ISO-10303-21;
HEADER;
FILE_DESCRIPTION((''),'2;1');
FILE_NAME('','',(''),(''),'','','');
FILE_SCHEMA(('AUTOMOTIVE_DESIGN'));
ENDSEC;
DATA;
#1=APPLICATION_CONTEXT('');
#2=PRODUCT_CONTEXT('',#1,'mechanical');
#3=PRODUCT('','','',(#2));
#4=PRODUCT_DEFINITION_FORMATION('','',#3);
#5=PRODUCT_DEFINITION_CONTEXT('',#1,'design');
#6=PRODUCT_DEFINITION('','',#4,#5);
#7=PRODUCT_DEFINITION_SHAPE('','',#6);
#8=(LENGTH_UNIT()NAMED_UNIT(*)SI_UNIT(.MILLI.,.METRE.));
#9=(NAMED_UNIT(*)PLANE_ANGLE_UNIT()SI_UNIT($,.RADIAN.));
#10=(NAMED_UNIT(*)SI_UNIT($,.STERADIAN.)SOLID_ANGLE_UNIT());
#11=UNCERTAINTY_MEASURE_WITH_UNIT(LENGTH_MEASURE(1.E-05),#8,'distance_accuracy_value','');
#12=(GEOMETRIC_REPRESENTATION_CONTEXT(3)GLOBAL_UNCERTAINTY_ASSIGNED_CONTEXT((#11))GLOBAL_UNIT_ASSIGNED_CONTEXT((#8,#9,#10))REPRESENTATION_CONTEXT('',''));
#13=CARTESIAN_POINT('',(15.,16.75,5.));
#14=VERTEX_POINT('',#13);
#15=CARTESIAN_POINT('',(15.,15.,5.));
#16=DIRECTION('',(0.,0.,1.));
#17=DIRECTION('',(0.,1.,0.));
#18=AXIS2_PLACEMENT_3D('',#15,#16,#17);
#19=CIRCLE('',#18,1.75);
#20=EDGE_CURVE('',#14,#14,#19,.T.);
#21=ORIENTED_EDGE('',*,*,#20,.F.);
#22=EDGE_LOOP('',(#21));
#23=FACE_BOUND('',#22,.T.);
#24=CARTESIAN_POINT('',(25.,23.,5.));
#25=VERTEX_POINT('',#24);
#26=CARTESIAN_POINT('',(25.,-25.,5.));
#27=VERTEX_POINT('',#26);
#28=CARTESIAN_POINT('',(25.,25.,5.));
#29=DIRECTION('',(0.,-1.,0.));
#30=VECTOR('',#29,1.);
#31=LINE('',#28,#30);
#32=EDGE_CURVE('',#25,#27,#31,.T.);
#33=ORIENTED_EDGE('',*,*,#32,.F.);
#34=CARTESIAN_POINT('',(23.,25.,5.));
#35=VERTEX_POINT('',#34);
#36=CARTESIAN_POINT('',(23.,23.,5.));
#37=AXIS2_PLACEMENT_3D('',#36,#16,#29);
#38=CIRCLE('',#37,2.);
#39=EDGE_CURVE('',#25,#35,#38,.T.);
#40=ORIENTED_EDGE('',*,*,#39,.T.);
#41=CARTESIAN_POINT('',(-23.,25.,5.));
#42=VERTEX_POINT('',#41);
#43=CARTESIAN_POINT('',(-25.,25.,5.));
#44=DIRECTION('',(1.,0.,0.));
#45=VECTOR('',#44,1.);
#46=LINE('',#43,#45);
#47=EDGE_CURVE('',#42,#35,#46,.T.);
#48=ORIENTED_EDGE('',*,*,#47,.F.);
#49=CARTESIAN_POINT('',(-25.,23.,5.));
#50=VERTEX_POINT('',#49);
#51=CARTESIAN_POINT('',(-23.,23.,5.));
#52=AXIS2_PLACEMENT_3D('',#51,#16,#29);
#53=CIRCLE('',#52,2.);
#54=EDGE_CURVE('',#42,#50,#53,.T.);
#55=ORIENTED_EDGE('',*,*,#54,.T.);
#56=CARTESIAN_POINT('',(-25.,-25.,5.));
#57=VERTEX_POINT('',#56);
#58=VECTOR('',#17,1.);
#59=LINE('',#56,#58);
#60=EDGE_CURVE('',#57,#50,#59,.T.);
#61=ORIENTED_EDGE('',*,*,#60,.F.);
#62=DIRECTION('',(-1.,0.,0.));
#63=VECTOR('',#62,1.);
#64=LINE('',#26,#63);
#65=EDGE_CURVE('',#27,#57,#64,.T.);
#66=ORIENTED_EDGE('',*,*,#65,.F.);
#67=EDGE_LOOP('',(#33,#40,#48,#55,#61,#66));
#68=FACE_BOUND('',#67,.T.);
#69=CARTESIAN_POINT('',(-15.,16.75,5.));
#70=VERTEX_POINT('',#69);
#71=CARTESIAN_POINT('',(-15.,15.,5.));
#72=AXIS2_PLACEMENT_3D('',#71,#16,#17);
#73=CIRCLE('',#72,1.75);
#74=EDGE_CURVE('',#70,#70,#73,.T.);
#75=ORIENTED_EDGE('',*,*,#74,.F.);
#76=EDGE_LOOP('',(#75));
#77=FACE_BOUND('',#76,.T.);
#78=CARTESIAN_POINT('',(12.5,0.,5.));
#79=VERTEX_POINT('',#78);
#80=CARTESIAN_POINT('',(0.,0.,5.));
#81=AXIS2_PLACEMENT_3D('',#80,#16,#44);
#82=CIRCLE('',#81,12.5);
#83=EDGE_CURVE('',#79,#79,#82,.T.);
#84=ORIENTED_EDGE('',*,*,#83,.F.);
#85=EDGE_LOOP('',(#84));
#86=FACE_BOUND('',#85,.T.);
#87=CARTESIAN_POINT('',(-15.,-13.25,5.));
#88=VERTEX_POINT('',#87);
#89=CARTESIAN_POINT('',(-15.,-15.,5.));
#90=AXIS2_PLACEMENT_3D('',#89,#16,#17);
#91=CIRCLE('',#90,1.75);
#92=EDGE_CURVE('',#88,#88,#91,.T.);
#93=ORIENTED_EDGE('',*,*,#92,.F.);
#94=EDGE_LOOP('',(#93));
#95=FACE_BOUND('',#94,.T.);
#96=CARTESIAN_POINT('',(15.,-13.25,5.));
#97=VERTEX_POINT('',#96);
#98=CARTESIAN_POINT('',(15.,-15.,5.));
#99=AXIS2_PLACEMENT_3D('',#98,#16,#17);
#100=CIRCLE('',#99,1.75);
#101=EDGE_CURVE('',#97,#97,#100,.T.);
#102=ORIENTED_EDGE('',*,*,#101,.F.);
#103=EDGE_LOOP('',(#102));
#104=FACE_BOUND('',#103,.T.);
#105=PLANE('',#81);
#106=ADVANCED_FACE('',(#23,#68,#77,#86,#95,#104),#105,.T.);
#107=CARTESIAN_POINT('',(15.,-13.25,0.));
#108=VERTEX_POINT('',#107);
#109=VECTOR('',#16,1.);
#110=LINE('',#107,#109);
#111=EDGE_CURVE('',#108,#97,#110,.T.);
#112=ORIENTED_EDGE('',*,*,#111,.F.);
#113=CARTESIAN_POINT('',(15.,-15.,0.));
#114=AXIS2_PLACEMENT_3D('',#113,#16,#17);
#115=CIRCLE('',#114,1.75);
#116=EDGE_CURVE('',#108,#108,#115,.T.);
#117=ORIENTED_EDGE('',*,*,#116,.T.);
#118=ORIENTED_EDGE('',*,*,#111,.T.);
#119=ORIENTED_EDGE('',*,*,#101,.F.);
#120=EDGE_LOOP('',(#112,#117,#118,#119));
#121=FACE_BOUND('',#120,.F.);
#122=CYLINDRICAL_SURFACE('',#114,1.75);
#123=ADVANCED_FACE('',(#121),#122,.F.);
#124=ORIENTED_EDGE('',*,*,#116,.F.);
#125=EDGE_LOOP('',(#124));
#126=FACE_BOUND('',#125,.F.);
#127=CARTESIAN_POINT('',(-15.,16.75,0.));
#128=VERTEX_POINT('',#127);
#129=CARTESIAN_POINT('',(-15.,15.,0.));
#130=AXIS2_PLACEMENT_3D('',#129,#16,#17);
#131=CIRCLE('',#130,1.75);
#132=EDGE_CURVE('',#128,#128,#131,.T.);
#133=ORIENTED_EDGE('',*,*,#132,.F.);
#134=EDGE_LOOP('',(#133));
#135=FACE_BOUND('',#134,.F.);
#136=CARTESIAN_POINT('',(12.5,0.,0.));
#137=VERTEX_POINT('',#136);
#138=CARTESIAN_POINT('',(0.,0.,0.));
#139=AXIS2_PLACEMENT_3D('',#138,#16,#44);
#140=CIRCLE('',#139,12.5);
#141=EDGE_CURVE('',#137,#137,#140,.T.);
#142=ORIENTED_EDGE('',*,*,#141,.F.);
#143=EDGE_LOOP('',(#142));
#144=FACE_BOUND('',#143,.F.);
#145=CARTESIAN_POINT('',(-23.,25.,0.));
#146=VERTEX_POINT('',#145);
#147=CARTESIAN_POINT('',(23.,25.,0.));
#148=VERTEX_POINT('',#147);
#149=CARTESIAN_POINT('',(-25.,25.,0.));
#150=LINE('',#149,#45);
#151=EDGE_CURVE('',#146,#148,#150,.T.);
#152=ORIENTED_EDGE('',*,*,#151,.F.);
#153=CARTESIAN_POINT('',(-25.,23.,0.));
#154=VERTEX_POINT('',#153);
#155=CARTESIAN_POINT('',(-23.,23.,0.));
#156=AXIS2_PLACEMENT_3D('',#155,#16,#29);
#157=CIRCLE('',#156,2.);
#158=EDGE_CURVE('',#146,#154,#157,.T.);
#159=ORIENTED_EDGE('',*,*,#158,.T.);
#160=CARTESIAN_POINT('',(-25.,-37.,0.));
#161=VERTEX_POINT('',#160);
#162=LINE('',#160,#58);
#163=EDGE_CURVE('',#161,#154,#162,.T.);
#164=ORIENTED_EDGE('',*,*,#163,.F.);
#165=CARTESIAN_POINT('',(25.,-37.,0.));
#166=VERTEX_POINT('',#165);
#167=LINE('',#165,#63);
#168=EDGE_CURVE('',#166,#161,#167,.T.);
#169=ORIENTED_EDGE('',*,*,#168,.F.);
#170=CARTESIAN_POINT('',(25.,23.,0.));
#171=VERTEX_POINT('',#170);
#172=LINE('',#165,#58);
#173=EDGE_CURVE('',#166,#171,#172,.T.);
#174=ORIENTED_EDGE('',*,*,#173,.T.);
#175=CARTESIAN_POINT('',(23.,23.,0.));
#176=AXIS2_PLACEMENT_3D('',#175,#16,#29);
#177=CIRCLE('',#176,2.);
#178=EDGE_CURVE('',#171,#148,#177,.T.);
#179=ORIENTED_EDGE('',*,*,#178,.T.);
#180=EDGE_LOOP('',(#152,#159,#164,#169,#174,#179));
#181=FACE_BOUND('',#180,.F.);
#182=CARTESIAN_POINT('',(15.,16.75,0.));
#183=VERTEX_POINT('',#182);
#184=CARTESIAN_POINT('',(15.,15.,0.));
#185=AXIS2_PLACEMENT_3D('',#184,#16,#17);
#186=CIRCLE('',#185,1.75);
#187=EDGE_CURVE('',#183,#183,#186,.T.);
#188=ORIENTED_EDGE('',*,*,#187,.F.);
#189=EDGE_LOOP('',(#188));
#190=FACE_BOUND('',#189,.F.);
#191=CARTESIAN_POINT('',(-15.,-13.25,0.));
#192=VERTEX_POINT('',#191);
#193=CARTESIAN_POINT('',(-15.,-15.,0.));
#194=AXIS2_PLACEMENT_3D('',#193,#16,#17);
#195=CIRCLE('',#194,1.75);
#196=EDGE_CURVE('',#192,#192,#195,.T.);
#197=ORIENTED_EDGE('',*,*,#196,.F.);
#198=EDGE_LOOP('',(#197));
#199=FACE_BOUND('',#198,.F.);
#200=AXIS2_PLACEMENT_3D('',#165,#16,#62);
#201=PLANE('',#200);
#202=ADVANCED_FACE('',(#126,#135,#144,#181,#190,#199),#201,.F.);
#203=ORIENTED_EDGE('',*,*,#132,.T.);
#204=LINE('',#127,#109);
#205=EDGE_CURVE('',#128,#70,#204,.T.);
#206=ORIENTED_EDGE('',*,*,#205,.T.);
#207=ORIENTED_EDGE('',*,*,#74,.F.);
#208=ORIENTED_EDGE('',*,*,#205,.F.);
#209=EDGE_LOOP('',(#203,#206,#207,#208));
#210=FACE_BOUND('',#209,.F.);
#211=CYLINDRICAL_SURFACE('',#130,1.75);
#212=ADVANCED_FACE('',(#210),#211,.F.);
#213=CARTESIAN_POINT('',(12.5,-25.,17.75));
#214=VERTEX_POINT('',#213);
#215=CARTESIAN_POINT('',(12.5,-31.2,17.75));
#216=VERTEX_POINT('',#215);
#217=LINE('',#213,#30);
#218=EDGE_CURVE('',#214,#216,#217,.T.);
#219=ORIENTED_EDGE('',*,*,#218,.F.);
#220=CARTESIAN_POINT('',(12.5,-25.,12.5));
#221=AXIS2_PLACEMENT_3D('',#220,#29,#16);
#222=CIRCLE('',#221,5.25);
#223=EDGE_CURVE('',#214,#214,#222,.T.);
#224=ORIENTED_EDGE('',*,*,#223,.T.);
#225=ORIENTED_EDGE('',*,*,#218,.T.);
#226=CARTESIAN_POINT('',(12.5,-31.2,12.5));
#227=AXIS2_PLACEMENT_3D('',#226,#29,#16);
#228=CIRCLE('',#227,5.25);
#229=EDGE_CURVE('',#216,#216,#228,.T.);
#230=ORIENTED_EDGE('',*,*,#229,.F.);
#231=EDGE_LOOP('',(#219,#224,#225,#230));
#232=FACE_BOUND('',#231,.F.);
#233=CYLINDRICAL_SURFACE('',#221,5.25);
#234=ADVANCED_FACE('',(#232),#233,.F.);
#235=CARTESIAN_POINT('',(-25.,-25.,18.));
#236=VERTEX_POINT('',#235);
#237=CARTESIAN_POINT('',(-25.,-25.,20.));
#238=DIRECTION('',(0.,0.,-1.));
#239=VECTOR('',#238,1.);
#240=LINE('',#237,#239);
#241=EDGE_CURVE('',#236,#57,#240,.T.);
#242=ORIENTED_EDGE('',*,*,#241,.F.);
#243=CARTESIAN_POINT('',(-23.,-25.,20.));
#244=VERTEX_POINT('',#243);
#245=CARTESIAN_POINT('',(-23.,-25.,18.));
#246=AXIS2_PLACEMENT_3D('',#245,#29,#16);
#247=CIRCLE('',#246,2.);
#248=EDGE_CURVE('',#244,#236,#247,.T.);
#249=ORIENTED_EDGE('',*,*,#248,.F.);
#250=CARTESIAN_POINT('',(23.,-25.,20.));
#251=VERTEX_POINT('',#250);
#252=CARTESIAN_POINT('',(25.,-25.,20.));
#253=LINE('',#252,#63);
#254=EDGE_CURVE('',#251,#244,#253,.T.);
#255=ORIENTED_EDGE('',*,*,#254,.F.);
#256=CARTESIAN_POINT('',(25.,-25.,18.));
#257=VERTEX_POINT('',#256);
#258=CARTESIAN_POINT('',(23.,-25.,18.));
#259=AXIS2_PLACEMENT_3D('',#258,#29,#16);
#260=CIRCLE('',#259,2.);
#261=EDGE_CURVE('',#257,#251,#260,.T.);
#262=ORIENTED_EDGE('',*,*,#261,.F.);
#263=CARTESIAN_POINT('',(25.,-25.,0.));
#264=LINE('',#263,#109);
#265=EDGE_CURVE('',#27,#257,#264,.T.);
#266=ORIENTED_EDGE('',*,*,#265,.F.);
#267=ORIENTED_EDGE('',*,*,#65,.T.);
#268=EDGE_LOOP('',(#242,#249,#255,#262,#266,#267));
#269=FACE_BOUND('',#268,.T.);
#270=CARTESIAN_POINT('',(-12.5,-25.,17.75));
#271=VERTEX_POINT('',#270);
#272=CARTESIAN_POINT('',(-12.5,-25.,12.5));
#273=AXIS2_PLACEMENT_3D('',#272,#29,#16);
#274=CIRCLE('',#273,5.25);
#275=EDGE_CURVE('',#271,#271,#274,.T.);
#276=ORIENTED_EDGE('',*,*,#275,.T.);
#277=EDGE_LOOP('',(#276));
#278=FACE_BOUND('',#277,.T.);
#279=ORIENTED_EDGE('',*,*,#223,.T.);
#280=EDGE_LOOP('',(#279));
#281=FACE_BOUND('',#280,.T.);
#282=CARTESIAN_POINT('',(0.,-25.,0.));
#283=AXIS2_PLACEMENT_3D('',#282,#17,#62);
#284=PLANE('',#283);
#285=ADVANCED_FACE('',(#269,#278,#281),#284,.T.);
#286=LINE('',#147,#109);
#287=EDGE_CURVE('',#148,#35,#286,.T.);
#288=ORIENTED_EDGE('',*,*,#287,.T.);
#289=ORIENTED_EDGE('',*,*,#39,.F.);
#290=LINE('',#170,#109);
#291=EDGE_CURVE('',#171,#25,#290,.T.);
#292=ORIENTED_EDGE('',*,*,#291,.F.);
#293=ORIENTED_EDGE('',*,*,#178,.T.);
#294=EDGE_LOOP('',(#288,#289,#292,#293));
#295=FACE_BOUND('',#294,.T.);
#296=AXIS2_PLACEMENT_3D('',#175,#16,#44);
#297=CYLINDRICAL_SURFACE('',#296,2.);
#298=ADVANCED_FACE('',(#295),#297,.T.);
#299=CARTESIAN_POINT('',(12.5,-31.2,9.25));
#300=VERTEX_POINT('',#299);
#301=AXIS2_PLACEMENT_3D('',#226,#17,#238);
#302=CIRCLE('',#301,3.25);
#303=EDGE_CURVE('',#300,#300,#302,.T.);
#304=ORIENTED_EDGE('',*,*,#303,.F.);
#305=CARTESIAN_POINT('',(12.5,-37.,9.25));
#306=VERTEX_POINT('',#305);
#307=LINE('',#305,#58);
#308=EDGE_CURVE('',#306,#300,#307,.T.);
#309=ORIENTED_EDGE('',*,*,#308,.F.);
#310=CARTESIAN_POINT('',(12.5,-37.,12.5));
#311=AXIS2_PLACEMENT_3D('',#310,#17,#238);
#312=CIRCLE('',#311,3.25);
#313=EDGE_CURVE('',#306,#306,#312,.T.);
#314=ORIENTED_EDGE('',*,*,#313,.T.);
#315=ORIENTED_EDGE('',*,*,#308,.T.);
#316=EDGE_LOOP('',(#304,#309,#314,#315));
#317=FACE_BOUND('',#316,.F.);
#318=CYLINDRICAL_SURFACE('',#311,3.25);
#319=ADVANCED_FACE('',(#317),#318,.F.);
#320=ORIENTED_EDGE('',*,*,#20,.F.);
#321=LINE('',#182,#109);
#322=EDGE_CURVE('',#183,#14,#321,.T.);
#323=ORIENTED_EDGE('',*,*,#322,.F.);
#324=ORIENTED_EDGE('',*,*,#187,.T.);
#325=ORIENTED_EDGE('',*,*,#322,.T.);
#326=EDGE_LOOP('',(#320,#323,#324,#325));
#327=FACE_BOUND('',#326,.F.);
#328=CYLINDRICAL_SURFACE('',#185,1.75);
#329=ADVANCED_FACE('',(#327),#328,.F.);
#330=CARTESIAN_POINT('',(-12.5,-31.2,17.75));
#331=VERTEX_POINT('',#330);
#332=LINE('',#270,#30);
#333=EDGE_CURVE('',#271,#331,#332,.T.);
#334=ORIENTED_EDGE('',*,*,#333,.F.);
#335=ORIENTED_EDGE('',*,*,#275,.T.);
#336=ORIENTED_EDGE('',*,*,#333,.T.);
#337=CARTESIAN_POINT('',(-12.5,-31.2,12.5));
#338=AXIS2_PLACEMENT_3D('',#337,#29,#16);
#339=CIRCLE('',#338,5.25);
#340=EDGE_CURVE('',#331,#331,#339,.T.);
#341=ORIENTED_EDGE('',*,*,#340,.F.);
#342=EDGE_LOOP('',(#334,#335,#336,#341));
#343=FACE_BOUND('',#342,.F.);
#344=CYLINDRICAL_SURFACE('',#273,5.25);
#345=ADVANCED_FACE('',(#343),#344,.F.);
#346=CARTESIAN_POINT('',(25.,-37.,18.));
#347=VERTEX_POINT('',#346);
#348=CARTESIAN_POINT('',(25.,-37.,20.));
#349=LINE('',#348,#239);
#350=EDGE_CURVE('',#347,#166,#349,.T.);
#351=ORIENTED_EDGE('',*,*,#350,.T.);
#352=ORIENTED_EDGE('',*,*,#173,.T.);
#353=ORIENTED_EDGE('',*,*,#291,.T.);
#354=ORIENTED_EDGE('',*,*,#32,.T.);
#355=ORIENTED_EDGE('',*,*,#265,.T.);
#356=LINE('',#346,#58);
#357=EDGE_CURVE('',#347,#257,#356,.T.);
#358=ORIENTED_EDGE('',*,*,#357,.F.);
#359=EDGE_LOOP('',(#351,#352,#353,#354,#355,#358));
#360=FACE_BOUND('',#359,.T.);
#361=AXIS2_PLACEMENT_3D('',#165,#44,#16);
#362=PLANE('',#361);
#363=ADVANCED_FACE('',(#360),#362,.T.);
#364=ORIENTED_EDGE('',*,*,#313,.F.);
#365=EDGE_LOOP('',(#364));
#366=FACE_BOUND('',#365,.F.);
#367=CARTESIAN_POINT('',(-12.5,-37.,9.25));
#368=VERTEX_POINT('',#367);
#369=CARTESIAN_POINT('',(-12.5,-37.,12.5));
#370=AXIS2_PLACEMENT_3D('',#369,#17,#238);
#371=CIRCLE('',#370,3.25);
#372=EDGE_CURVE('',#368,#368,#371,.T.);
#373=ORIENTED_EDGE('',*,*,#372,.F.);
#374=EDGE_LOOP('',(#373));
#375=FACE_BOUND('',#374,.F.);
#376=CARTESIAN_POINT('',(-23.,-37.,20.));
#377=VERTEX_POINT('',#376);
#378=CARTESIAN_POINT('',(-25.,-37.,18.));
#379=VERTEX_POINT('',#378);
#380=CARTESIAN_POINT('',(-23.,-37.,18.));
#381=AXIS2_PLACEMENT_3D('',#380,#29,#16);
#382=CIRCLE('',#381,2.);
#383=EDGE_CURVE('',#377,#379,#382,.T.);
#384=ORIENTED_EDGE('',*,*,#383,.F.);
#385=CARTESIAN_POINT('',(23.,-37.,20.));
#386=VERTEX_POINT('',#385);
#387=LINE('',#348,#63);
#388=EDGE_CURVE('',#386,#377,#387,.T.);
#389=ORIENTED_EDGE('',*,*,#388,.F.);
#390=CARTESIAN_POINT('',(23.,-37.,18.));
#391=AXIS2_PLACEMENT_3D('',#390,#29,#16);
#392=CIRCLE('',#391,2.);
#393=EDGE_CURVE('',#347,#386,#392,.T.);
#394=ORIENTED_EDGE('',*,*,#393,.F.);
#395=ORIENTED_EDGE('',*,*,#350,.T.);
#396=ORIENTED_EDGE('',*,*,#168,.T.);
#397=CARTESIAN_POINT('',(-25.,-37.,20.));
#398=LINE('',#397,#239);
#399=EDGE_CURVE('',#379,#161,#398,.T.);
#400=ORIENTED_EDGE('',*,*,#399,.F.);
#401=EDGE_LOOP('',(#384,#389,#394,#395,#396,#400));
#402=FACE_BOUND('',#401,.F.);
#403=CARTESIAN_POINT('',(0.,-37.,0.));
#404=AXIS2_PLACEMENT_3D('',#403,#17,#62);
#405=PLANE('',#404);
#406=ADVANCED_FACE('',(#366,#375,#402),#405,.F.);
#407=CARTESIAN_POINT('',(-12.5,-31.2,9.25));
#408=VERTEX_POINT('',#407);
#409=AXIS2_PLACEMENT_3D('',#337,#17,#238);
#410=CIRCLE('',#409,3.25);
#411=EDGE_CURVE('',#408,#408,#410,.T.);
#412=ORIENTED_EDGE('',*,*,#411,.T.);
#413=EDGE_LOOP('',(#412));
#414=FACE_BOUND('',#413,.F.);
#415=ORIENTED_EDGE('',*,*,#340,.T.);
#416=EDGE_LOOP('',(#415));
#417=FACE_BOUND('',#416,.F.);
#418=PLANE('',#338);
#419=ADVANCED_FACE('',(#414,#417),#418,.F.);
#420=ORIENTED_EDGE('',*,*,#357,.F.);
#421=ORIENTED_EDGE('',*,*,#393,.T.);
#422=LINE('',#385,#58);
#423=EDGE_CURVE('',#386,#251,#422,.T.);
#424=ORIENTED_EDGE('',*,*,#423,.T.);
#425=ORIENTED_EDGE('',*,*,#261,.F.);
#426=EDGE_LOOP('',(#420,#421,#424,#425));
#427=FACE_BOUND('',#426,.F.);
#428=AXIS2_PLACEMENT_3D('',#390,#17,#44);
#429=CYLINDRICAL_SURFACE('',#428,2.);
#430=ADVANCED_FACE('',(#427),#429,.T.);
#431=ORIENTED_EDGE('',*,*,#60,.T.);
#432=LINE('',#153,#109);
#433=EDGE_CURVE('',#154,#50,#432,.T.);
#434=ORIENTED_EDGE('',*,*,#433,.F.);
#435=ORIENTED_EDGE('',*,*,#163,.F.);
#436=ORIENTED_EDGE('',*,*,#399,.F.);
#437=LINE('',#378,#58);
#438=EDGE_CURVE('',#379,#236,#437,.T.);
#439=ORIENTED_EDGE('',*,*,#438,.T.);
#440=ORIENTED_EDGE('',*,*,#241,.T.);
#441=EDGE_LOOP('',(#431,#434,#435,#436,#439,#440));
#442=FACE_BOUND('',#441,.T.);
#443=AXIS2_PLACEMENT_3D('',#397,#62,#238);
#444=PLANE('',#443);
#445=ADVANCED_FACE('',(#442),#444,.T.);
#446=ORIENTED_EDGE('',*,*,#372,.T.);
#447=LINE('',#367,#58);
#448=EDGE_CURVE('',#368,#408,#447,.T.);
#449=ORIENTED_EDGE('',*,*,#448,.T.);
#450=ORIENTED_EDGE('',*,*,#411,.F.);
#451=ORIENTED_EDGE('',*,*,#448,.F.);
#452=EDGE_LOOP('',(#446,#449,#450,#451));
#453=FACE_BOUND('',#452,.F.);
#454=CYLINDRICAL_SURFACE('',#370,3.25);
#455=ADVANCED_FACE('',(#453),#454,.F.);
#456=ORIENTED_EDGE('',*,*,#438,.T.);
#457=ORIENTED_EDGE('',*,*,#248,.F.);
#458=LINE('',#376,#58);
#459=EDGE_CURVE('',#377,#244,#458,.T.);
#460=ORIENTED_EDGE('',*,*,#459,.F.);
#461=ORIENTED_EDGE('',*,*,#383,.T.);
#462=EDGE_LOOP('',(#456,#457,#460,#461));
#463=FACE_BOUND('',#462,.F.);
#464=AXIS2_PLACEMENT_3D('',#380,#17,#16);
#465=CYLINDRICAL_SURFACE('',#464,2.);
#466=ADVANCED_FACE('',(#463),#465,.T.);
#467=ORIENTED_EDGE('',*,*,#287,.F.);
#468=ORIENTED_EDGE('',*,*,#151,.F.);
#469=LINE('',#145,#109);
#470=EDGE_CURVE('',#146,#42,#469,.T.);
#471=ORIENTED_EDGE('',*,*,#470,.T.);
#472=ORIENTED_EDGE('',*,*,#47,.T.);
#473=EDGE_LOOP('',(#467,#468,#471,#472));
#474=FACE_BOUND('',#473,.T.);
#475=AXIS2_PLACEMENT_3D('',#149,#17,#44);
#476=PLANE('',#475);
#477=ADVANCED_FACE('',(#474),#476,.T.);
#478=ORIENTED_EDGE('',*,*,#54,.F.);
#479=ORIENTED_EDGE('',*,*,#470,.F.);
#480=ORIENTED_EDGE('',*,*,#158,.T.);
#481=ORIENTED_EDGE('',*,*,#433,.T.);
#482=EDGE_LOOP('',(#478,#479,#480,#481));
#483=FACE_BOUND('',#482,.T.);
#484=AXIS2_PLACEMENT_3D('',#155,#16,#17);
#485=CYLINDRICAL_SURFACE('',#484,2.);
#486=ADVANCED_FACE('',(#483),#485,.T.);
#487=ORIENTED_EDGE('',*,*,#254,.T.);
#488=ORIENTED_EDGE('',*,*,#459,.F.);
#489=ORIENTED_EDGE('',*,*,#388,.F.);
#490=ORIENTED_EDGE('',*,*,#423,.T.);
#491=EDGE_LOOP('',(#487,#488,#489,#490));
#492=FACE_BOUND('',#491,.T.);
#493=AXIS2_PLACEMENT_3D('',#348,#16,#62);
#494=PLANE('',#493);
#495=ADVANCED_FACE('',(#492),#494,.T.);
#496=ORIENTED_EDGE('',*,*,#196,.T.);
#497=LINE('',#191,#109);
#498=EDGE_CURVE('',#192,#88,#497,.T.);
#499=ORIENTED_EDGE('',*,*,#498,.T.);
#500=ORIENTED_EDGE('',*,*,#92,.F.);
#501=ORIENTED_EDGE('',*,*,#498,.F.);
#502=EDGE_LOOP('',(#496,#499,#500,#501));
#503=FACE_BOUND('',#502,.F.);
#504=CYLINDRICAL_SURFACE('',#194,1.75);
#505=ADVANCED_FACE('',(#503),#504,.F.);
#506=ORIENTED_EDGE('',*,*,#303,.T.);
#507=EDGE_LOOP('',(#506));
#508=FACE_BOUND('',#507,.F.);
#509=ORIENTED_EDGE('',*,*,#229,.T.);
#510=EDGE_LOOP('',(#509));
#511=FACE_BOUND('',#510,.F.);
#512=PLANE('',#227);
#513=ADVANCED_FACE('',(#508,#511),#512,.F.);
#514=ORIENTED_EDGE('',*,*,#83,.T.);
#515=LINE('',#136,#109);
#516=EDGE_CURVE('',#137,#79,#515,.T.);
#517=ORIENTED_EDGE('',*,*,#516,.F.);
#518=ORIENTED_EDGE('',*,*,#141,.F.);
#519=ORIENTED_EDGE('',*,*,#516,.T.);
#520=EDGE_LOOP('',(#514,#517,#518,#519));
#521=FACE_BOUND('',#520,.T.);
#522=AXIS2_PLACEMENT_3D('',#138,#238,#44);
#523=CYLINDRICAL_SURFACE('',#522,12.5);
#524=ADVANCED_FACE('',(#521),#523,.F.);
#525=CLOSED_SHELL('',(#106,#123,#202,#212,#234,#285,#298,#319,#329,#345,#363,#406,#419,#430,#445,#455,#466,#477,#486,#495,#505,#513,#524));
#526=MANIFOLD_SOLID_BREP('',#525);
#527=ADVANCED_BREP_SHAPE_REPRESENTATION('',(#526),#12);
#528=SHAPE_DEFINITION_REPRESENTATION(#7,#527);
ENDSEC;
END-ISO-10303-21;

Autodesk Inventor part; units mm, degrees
ref_plane "YZ Plane" through (0, 0, 0) normal (1, 0, 0) x (0, 1, 0)
ref_plane "XY Plane" through (0, 0, 0) normal (0, 0, 1) x (1, 0, 0)
sketch "Sketch1" plane through (0, 0, 0) normal (0, 0, 1) x (1, 0, 0)
  circle A0 centre (0, 0) radius 12.5
  line L0 (25, -25) -> (-25, -25)
  line L1 (-25, -25) -> (-25, 25)
  line L2 (-25, 25) -> (25, 25)
  line L3 (25, 25) -> (25, -25)
  line L4 (25, -25) -> (-25, 25) construction
  line L5 (-25, -25) -> (25, 25) construction
  point P0 (-15, 15)
  point P1 (15, 15)
  point P2 (-15, -15)
  point P3 (15, -15)
  dimension "d0" = 25
  dimension "d1" = 50
  dimension "d2" = 50
  dimension "d5" = 30
  dimension "d8" = 30
extrude "Extrusion1" add sketch "Sketch1" along normal blind 5
hole "Hole1" at (-15, 15, 0) at (15, 15, 0) at (-15, -15, 0) at (15, -15, 0) direction (0, 0, 1) diameter 3.5 end through all
ref_plane "Work Plane1" through (0, -37, 0) normal (0, 1, 0) x (-1, 0, 0)
sketch "Sketch2" plane through (0, -37, 0) normal (0, 1, 0) x (-1, 0, 0)
  line L0 (-25, 0) -> (25, 0) projected
  line L1 (-25, 0) -> (-25, 5) projected
  line L2 (25, 0) -> (-25, 0)
  line L3 (-25, 0) -> (-25, 20)
  line L4 (-25, 20) -> (25, 20)
  line L5 (25, 20) -> (25, 0)
  point P0 (0, 0)
  point P1 (12.5, 12.5)
  point P2 (-12.5, 12.5)
  dimension "d21" = 20
  dimension "d24" = 25
  dimension "d46" = 12.5
extrude "Extrusion2" add sketch "Sketch2" along normal up to surface (12 mm away)
hole "Hole2" at (12.5, -37, 12.5) at (-12.5, -37, 12.5) direction (0, 1, 0) diameter 6.5 end through all
fillet "Fillet1" radius 2 4 edges at (25, 25, 2.5) (-25, 25, 2.5) (25, -31, 20) (-25, -31, 20)
sketch "Sketch5" plane through (-25, -25, 5) normal (0, 1, 0) x (1, 0, 0)
  point P0 (25, 5)
  point P1 (12.5, -7.5)
  point P2 (37.5, -7.5)
hole "Hole4" at (-12.5, -25, 12.5) at (12.5, -25, 12.5) direction (0, -1, 0) diameter 10.5 depth 6.2
properties part number "mirror-bracket"
